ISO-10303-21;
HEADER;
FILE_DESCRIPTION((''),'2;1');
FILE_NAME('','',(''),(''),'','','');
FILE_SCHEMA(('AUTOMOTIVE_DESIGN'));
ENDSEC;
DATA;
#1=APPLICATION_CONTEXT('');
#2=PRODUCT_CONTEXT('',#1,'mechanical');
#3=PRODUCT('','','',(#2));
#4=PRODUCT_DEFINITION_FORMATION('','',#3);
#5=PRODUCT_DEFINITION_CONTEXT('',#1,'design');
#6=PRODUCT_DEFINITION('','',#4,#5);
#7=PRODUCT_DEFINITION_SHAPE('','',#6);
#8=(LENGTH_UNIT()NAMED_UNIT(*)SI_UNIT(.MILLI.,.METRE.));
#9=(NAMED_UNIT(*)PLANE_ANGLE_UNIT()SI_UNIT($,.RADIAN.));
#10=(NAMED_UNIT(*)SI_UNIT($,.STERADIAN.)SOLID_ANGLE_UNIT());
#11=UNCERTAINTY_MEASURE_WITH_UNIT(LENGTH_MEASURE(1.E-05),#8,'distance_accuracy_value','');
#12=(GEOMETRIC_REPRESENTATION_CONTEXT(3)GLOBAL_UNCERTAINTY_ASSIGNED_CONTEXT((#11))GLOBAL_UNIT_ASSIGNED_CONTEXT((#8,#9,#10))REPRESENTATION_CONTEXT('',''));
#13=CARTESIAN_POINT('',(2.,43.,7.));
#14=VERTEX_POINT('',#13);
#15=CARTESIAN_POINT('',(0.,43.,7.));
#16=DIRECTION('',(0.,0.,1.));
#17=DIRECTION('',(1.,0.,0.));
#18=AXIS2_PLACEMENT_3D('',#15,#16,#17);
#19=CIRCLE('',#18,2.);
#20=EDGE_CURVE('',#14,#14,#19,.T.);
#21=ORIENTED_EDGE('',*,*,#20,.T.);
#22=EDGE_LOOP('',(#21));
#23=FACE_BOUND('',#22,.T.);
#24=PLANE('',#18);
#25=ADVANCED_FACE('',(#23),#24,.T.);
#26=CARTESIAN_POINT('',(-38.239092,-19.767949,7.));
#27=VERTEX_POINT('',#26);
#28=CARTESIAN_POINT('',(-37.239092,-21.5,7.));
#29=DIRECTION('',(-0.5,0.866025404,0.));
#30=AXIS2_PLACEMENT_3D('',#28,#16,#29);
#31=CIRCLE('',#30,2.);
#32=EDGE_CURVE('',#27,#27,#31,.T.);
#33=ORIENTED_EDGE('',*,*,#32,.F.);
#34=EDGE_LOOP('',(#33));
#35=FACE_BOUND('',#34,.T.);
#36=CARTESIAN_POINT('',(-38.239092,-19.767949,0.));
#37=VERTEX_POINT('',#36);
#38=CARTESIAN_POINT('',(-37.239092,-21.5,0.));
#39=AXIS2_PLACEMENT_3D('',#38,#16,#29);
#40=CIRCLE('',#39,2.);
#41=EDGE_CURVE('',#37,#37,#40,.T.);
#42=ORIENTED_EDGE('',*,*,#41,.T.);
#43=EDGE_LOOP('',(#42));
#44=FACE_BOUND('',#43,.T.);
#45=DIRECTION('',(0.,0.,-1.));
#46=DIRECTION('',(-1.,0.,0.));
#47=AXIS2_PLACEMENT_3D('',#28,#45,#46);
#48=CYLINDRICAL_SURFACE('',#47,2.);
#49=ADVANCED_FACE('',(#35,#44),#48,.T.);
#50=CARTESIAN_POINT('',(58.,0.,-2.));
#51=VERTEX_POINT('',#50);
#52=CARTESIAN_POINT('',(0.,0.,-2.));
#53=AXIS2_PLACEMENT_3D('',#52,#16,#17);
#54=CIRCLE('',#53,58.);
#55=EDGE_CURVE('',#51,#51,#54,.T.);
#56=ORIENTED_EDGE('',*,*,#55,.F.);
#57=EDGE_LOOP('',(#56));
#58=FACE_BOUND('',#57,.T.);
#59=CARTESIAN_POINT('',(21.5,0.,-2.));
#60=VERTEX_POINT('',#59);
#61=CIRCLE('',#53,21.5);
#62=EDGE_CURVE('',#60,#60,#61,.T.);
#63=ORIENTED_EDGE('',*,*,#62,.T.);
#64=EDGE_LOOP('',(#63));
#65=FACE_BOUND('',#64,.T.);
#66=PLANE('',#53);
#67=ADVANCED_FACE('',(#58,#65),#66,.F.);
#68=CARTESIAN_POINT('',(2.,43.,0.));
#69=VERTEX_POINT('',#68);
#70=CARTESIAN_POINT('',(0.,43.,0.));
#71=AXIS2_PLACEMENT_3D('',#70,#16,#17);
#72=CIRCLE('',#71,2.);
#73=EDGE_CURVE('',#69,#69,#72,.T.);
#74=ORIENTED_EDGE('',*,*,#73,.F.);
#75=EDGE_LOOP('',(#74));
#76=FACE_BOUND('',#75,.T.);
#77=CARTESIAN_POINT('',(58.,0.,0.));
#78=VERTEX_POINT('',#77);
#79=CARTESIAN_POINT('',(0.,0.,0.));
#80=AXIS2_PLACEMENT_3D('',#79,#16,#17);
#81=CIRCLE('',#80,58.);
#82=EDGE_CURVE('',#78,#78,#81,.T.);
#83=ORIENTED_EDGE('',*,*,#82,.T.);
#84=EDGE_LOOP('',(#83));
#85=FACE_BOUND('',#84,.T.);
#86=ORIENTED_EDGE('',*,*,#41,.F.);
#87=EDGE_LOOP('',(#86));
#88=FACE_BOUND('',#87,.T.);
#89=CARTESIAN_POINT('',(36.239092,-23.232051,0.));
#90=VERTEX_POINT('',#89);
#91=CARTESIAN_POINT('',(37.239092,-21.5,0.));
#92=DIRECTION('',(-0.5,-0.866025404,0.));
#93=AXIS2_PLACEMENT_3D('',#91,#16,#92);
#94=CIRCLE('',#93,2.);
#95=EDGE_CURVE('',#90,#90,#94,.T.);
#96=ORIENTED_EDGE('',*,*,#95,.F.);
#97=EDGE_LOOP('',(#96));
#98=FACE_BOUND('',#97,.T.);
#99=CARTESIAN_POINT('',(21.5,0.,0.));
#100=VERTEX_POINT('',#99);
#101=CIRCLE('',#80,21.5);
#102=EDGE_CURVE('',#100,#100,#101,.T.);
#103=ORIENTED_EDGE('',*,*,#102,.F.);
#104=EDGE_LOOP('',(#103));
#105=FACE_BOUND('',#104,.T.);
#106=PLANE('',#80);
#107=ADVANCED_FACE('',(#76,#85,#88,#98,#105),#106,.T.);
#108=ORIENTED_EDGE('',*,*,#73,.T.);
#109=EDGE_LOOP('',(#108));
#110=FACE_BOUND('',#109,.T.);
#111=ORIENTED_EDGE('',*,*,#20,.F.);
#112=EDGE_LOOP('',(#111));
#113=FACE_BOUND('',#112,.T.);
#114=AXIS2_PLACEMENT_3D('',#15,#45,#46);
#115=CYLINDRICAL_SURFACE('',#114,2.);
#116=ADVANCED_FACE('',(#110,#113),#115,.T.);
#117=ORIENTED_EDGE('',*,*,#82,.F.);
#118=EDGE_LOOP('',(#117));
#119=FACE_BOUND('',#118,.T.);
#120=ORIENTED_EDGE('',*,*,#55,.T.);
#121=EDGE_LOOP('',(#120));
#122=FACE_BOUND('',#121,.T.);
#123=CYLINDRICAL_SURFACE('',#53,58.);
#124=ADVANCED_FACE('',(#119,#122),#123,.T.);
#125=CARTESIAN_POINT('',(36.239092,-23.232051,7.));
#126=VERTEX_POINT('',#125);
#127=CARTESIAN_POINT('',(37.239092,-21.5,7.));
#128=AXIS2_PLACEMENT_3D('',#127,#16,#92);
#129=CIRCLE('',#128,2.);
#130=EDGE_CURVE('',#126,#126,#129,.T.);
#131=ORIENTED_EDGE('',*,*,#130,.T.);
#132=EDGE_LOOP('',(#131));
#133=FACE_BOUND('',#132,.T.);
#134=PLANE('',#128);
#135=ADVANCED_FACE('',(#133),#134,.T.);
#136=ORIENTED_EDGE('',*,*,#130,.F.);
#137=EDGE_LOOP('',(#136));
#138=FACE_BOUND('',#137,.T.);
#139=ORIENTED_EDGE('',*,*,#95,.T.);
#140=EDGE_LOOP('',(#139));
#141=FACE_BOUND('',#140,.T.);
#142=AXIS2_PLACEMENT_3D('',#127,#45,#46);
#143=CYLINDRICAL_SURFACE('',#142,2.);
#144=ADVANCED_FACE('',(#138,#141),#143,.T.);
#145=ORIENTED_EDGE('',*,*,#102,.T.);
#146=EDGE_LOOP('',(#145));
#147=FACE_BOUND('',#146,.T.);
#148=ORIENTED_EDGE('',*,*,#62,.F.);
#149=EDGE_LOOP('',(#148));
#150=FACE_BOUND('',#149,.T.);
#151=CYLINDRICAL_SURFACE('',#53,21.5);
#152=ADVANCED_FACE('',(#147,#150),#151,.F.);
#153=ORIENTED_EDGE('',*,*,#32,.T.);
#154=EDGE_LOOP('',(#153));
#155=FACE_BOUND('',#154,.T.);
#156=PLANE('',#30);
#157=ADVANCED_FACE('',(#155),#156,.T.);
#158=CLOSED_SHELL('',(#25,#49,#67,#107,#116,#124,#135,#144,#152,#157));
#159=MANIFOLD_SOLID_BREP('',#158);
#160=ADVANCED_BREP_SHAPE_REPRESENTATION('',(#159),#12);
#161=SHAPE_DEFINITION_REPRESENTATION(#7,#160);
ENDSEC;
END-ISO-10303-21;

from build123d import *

# Parameters (mm, degrees)
SKETCH1_R           = 58
BOSS_EXTRUDE1_DEPTH = 2
SKETCH2_R           = 2
BOSS_EXTRUDE2_DEPTH = 7
CIRPATTERN1_COUNT   = 3
SKETCH1_3_R         = 21.5
CUT_EXTRUDE1_DEPTH  = 83.322536404


with BuildPart() as part:
    # Sketch1 → Boss-Extrude1 (new body)
    with BuildSketch(Plane.XY):
        Circle(SKETCH1_R)
    extrude(amount=-BOSS_EXTRUDE1_DEPTH)

    # Sketch2 → Boss-Extrude2 (add)
    with BuildSketch(Plane.XY):
        with Locations((0, 43)):
            Circle(SKETCH2_R)
    boss_extrude2 = extrude(amount=BOSS_EXTRUDE2_DEPTH)

    # CirPattern1: Boss-Extrude2 ×3 about axis
    cirpattern1_axis = Axis((0, 0, 0), (0, 0, -1))
    for i in range(1, CIRPATTERN1_COUNT):
        add(boss_extrude2.rotate(cirpattern1_axis, i * 360 / CIRPATTERN1_COUNT))

    # Sketch1<3> → Cut-Extrude1 (cut, through all)
    with BuildSketch(Plane.XY):
        Circle(SKETCH1_3_R)
    extrude(amount=-CUT_EXTRUDE1_DEPTH, mode=Mode.SUBTRACT)


solid = part.part
